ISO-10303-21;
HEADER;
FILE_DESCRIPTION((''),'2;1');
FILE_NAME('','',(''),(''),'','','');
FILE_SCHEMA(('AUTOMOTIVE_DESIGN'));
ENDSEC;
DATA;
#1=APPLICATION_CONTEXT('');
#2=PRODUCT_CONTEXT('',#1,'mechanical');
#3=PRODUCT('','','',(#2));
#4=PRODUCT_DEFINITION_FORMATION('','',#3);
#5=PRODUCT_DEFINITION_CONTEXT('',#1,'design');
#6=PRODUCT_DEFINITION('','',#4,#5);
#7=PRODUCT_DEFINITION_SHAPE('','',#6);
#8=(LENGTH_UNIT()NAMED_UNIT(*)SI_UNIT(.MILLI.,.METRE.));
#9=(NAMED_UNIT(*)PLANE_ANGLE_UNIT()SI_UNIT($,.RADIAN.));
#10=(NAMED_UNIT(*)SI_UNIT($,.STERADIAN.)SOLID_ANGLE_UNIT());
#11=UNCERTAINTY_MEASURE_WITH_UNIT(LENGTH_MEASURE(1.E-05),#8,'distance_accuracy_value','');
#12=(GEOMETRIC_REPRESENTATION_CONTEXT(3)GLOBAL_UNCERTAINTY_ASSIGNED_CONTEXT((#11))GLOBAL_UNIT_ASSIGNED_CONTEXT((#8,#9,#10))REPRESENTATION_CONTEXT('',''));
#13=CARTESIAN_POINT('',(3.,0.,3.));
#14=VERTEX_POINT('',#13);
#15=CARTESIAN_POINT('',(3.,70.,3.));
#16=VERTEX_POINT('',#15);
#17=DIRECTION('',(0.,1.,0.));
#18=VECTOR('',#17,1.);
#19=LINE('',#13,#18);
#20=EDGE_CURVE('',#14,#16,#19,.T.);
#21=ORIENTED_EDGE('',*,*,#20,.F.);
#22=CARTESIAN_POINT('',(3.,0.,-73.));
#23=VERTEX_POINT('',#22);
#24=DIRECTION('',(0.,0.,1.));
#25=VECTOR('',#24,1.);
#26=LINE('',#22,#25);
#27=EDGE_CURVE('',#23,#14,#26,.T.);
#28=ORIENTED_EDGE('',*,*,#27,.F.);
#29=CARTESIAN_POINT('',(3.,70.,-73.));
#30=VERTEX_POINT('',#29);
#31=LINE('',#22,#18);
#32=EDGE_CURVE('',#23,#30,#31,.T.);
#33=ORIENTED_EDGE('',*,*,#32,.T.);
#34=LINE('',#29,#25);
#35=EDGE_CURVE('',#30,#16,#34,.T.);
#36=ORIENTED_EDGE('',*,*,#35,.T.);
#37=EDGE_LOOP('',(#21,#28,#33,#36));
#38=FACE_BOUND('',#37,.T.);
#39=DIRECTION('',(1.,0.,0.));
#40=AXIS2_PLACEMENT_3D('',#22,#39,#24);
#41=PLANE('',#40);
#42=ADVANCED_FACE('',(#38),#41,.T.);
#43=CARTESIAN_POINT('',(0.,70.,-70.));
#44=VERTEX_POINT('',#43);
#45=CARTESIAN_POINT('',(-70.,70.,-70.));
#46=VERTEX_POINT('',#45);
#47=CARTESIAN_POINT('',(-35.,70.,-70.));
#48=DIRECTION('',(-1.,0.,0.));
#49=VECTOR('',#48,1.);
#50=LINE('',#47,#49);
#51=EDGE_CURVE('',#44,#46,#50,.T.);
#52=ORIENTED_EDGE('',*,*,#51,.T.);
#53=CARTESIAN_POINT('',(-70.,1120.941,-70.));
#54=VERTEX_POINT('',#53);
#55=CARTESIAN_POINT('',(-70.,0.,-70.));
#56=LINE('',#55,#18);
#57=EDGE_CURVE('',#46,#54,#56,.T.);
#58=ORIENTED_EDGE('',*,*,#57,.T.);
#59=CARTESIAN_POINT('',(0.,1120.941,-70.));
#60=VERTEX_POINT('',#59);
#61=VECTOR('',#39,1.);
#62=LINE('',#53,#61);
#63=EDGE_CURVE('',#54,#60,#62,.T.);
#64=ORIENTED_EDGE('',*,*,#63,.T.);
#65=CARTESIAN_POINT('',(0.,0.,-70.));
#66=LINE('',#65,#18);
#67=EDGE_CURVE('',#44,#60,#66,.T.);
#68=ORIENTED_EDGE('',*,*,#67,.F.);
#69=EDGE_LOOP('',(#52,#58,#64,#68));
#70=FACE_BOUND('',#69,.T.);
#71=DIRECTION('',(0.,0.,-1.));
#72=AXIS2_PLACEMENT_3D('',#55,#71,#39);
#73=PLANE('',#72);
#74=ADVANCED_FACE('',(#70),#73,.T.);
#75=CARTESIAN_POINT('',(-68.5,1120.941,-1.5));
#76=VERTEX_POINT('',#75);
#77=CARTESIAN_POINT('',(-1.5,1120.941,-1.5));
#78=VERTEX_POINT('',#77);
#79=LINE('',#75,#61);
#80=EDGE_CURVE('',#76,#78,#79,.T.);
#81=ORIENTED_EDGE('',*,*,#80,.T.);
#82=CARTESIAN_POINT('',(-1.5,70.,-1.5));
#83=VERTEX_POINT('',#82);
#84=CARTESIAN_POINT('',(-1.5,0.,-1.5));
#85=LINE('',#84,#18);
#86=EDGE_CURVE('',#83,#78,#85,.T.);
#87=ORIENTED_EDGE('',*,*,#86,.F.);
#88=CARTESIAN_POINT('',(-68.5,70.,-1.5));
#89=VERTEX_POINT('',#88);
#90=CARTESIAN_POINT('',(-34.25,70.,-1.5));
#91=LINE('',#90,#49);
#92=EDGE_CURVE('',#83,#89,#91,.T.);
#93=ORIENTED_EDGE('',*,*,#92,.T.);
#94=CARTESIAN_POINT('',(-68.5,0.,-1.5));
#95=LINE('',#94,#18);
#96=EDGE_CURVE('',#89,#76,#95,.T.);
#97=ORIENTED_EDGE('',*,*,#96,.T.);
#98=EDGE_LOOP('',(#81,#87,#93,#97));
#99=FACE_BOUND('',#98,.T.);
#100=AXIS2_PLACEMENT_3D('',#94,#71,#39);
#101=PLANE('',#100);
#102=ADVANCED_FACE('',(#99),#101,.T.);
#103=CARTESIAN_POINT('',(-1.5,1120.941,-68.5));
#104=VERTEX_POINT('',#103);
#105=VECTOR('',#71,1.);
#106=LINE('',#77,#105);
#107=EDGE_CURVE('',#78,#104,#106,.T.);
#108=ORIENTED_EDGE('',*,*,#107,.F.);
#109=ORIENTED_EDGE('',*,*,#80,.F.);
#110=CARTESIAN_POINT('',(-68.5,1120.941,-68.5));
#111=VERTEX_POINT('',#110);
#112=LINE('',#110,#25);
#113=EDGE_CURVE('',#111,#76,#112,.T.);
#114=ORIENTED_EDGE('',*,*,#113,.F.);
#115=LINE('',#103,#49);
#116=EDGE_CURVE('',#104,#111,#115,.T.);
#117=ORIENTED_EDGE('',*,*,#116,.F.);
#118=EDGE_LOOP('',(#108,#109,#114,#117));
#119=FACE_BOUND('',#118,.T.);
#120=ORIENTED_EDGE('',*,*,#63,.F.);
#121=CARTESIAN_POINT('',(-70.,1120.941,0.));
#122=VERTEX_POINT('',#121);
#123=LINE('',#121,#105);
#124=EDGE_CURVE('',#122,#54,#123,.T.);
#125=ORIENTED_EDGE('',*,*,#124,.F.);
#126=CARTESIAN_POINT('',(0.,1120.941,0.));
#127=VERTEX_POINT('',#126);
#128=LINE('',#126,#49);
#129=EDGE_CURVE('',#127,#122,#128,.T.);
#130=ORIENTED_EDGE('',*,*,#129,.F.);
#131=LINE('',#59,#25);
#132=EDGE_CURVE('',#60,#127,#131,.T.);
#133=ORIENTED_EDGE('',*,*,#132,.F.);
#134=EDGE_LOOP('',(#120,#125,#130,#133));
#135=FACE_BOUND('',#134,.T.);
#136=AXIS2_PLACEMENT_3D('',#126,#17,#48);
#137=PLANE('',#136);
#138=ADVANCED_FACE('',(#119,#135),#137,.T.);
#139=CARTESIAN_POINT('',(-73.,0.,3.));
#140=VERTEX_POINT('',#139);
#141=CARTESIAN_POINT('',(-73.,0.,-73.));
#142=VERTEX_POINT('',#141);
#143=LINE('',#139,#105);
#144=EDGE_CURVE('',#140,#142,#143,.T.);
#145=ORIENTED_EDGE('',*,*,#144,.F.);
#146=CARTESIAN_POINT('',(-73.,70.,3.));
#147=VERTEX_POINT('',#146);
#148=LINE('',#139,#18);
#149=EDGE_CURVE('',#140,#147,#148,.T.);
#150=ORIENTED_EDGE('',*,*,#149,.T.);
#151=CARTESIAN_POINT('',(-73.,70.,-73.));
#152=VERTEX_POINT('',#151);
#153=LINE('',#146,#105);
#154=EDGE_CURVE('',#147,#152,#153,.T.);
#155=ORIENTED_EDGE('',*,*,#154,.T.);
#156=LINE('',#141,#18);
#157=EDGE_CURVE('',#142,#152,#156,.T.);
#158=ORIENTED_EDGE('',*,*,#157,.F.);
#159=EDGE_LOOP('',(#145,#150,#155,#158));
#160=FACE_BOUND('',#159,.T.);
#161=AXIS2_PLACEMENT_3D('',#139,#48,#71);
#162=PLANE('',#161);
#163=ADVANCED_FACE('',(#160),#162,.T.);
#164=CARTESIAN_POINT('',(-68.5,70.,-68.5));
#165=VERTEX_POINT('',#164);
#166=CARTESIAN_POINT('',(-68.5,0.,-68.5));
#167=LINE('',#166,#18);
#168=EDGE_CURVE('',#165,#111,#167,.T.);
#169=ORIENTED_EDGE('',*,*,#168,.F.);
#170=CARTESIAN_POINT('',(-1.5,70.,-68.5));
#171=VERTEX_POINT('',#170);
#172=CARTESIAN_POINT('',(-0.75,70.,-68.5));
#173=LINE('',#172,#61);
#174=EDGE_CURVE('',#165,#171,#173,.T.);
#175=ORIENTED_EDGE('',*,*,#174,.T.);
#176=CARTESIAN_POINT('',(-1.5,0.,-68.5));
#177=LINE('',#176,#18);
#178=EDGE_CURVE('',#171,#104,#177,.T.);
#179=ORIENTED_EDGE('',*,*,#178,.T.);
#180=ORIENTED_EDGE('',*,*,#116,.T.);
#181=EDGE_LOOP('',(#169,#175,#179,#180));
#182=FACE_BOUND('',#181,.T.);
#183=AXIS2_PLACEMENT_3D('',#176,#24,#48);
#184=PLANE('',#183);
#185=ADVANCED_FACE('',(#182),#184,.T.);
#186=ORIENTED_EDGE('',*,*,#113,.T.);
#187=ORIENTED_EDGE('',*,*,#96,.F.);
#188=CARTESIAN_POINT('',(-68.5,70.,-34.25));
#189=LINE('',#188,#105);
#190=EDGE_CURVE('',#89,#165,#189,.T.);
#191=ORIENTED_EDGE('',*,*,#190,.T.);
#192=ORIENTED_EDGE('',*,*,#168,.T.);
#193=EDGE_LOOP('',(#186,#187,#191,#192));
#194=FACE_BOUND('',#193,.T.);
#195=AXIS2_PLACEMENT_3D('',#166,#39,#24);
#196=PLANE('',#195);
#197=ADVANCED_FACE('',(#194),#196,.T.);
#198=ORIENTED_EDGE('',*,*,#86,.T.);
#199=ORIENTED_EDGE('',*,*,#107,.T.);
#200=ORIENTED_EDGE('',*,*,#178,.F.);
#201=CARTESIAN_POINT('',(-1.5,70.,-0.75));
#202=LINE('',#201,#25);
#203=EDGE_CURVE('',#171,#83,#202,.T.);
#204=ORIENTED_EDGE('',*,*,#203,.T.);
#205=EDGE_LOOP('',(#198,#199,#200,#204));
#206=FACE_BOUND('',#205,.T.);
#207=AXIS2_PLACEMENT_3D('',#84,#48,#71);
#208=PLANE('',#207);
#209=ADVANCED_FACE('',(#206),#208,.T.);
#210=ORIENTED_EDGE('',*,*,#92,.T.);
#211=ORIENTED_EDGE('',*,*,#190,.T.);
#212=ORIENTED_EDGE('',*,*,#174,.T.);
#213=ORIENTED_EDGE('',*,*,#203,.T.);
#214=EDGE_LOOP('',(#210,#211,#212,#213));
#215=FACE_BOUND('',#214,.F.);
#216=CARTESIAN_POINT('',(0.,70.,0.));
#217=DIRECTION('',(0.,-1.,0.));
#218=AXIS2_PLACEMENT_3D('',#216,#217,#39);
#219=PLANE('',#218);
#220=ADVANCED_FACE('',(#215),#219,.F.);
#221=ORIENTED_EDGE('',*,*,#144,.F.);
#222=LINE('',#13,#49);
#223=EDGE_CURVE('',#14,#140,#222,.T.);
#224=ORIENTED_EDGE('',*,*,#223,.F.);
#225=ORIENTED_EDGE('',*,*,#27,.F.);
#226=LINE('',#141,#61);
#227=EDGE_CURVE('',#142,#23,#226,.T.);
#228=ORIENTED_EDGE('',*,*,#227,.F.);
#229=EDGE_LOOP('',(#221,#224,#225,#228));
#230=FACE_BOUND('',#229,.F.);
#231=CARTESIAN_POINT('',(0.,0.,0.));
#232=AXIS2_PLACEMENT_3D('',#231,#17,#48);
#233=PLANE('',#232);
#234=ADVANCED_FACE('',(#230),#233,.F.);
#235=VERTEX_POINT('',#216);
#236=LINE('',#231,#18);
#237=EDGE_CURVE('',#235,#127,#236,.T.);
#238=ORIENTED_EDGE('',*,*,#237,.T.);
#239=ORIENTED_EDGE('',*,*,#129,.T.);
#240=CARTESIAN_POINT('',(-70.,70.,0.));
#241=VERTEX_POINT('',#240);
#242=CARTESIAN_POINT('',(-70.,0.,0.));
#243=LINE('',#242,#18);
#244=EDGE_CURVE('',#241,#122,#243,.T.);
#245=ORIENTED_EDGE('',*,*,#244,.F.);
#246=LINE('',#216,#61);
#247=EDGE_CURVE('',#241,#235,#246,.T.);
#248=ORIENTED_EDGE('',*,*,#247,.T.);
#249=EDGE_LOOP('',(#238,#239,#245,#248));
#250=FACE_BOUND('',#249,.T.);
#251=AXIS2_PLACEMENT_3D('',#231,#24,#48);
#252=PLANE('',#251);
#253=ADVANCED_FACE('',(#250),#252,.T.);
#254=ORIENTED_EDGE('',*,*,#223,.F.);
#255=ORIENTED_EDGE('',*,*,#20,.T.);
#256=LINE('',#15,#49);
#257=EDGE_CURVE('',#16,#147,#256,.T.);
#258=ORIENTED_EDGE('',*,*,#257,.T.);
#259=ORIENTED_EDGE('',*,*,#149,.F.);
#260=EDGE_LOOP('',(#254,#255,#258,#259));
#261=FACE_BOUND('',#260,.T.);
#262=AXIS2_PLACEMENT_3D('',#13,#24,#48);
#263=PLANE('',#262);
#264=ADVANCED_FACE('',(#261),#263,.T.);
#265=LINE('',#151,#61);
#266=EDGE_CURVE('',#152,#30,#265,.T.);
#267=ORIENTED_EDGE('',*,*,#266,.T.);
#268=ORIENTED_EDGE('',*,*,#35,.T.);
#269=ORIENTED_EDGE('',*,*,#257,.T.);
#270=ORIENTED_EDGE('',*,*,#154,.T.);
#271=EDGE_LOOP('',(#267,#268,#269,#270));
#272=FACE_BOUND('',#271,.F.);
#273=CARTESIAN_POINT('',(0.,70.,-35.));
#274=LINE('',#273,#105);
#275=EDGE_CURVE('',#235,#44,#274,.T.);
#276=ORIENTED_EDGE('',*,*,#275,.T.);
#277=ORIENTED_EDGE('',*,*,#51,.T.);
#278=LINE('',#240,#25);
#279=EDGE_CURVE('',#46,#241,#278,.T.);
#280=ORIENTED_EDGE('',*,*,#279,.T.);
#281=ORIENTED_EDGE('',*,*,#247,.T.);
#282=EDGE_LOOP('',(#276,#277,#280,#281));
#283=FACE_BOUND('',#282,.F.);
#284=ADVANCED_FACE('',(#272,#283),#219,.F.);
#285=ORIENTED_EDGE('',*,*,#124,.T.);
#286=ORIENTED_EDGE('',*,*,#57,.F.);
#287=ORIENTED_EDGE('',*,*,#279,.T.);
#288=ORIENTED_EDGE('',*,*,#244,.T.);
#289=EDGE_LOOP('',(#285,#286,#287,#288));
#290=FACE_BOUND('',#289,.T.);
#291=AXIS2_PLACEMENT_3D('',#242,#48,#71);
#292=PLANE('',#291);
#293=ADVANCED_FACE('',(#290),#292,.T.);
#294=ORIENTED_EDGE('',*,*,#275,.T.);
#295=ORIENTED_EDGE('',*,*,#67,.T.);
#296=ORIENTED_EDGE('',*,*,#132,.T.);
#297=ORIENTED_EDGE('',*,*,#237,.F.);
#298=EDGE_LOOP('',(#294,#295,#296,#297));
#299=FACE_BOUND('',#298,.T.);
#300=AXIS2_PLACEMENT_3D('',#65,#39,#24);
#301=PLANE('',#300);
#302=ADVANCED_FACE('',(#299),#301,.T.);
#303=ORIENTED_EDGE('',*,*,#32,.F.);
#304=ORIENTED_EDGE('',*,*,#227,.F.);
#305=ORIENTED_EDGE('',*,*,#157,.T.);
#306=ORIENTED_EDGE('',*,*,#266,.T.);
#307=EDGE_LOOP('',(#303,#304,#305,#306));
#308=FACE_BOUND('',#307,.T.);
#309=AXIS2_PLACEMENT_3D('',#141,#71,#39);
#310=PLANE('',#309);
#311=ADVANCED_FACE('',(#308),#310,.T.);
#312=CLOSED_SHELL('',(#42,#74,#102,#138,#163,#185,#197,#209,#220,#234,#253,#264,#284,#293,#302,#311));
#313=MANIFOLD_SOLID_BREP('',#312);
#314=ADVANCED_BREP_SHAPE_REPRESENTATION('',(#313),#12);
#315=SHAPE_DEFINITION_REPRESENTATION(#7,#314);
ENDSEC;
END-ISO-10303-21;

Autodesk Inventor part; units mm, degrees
ref_plane "YZ Plane" through (0, 0, 0) normal (1, 0, 0) x (0, 1, 0)
ref_plane "XZ Plane" through (0, 0, 0) normal (0, 1, 0) x (-1, 0, 0)
ref_plane "XY Plane" through (0, 0, 0) normal (0, 0, 1) x (1, 0, 0)
sketch "Boceto1" plane through (0, 0, 0) normal (0, 1, 0) x (-1, 0, 0)
  line L0 (0, 0) -> (70, 0)
  line L1 (70, 0) -> (70, -70)
  line L2 (70, -70) -> (0, -70)
  line L3 (0, -70) -> (0, 0)
  line L4 (1.5, -68.5) -> (68.5, -68.5)
  line L5 (68.5, -68.5) -> (68.5, -1.5)
  line L6 (68.5, -1.5) -> (1.5, -1.5)
  line L7 (1.5, -1.5) -> (1.5, -68.5)
  line L8 (1.5, -68.5) -> (68.5, -1.5) construction
  line L9 (68.5, -68.5) -> (1.5, -1.5) construction
  point P0 (35, -35)
  dimension "d0" = 70
  dimension "d1" = 70
  dimension "d18" = 1.5
  dimension "d19" = 1.5
  dimension "d20" = 1.5
  dimension "d21" = 1.5
extrude "Extrusión1" add sketch "Boceto1" along normal blind 1120.941
sketch "Sketch2" plane through (0, 0, 0) normal (0, -1, 0) x (1, 0, 0)
  line L0 (-70, 0) -> (0, 0) construction
  line L1 (0, 0) -> (0, -70) construction
  line L2 (0, -70) -> (-70, -70) construction
  line L3 (-70, -70) -> (-70, 0) construction
  line L4 (0, -70) -> (-70, -70) construction
  line L5 (3, 3) -> (-73, 3)
  line L6 (-73, 3) -> (-73, -73)
  line L7 (-73, -73) -> (3, -73)
  line L8 (3, -73) -> (3, 3)
  line L9 (0, -35) -> (3, -35) construction
  line L10 (-35, -70) -> (-35, -73) construction
  line L11 (-70, -35) -> (-73, -35) construction
  line L12 (-35, 0) -> (-35, 3) construction
  dimension "d10" = 3
  dimension "d11" = 3
  dimension "d12" = 3
  dimension "d13" = 3
extrude "Extrusion3" add sketch "Sketch2" against normal blind 70
equation "\"d0\" = d1"
equation "\"d19\" = d18"
equation "\"d20\" = d18"
equation "\"d21\" = d18"
equation "\"d11\" = d10"
equation "\"d12\" = d10"
equation "\"d13\" = d10"
properties part number "Pata_mesa"
